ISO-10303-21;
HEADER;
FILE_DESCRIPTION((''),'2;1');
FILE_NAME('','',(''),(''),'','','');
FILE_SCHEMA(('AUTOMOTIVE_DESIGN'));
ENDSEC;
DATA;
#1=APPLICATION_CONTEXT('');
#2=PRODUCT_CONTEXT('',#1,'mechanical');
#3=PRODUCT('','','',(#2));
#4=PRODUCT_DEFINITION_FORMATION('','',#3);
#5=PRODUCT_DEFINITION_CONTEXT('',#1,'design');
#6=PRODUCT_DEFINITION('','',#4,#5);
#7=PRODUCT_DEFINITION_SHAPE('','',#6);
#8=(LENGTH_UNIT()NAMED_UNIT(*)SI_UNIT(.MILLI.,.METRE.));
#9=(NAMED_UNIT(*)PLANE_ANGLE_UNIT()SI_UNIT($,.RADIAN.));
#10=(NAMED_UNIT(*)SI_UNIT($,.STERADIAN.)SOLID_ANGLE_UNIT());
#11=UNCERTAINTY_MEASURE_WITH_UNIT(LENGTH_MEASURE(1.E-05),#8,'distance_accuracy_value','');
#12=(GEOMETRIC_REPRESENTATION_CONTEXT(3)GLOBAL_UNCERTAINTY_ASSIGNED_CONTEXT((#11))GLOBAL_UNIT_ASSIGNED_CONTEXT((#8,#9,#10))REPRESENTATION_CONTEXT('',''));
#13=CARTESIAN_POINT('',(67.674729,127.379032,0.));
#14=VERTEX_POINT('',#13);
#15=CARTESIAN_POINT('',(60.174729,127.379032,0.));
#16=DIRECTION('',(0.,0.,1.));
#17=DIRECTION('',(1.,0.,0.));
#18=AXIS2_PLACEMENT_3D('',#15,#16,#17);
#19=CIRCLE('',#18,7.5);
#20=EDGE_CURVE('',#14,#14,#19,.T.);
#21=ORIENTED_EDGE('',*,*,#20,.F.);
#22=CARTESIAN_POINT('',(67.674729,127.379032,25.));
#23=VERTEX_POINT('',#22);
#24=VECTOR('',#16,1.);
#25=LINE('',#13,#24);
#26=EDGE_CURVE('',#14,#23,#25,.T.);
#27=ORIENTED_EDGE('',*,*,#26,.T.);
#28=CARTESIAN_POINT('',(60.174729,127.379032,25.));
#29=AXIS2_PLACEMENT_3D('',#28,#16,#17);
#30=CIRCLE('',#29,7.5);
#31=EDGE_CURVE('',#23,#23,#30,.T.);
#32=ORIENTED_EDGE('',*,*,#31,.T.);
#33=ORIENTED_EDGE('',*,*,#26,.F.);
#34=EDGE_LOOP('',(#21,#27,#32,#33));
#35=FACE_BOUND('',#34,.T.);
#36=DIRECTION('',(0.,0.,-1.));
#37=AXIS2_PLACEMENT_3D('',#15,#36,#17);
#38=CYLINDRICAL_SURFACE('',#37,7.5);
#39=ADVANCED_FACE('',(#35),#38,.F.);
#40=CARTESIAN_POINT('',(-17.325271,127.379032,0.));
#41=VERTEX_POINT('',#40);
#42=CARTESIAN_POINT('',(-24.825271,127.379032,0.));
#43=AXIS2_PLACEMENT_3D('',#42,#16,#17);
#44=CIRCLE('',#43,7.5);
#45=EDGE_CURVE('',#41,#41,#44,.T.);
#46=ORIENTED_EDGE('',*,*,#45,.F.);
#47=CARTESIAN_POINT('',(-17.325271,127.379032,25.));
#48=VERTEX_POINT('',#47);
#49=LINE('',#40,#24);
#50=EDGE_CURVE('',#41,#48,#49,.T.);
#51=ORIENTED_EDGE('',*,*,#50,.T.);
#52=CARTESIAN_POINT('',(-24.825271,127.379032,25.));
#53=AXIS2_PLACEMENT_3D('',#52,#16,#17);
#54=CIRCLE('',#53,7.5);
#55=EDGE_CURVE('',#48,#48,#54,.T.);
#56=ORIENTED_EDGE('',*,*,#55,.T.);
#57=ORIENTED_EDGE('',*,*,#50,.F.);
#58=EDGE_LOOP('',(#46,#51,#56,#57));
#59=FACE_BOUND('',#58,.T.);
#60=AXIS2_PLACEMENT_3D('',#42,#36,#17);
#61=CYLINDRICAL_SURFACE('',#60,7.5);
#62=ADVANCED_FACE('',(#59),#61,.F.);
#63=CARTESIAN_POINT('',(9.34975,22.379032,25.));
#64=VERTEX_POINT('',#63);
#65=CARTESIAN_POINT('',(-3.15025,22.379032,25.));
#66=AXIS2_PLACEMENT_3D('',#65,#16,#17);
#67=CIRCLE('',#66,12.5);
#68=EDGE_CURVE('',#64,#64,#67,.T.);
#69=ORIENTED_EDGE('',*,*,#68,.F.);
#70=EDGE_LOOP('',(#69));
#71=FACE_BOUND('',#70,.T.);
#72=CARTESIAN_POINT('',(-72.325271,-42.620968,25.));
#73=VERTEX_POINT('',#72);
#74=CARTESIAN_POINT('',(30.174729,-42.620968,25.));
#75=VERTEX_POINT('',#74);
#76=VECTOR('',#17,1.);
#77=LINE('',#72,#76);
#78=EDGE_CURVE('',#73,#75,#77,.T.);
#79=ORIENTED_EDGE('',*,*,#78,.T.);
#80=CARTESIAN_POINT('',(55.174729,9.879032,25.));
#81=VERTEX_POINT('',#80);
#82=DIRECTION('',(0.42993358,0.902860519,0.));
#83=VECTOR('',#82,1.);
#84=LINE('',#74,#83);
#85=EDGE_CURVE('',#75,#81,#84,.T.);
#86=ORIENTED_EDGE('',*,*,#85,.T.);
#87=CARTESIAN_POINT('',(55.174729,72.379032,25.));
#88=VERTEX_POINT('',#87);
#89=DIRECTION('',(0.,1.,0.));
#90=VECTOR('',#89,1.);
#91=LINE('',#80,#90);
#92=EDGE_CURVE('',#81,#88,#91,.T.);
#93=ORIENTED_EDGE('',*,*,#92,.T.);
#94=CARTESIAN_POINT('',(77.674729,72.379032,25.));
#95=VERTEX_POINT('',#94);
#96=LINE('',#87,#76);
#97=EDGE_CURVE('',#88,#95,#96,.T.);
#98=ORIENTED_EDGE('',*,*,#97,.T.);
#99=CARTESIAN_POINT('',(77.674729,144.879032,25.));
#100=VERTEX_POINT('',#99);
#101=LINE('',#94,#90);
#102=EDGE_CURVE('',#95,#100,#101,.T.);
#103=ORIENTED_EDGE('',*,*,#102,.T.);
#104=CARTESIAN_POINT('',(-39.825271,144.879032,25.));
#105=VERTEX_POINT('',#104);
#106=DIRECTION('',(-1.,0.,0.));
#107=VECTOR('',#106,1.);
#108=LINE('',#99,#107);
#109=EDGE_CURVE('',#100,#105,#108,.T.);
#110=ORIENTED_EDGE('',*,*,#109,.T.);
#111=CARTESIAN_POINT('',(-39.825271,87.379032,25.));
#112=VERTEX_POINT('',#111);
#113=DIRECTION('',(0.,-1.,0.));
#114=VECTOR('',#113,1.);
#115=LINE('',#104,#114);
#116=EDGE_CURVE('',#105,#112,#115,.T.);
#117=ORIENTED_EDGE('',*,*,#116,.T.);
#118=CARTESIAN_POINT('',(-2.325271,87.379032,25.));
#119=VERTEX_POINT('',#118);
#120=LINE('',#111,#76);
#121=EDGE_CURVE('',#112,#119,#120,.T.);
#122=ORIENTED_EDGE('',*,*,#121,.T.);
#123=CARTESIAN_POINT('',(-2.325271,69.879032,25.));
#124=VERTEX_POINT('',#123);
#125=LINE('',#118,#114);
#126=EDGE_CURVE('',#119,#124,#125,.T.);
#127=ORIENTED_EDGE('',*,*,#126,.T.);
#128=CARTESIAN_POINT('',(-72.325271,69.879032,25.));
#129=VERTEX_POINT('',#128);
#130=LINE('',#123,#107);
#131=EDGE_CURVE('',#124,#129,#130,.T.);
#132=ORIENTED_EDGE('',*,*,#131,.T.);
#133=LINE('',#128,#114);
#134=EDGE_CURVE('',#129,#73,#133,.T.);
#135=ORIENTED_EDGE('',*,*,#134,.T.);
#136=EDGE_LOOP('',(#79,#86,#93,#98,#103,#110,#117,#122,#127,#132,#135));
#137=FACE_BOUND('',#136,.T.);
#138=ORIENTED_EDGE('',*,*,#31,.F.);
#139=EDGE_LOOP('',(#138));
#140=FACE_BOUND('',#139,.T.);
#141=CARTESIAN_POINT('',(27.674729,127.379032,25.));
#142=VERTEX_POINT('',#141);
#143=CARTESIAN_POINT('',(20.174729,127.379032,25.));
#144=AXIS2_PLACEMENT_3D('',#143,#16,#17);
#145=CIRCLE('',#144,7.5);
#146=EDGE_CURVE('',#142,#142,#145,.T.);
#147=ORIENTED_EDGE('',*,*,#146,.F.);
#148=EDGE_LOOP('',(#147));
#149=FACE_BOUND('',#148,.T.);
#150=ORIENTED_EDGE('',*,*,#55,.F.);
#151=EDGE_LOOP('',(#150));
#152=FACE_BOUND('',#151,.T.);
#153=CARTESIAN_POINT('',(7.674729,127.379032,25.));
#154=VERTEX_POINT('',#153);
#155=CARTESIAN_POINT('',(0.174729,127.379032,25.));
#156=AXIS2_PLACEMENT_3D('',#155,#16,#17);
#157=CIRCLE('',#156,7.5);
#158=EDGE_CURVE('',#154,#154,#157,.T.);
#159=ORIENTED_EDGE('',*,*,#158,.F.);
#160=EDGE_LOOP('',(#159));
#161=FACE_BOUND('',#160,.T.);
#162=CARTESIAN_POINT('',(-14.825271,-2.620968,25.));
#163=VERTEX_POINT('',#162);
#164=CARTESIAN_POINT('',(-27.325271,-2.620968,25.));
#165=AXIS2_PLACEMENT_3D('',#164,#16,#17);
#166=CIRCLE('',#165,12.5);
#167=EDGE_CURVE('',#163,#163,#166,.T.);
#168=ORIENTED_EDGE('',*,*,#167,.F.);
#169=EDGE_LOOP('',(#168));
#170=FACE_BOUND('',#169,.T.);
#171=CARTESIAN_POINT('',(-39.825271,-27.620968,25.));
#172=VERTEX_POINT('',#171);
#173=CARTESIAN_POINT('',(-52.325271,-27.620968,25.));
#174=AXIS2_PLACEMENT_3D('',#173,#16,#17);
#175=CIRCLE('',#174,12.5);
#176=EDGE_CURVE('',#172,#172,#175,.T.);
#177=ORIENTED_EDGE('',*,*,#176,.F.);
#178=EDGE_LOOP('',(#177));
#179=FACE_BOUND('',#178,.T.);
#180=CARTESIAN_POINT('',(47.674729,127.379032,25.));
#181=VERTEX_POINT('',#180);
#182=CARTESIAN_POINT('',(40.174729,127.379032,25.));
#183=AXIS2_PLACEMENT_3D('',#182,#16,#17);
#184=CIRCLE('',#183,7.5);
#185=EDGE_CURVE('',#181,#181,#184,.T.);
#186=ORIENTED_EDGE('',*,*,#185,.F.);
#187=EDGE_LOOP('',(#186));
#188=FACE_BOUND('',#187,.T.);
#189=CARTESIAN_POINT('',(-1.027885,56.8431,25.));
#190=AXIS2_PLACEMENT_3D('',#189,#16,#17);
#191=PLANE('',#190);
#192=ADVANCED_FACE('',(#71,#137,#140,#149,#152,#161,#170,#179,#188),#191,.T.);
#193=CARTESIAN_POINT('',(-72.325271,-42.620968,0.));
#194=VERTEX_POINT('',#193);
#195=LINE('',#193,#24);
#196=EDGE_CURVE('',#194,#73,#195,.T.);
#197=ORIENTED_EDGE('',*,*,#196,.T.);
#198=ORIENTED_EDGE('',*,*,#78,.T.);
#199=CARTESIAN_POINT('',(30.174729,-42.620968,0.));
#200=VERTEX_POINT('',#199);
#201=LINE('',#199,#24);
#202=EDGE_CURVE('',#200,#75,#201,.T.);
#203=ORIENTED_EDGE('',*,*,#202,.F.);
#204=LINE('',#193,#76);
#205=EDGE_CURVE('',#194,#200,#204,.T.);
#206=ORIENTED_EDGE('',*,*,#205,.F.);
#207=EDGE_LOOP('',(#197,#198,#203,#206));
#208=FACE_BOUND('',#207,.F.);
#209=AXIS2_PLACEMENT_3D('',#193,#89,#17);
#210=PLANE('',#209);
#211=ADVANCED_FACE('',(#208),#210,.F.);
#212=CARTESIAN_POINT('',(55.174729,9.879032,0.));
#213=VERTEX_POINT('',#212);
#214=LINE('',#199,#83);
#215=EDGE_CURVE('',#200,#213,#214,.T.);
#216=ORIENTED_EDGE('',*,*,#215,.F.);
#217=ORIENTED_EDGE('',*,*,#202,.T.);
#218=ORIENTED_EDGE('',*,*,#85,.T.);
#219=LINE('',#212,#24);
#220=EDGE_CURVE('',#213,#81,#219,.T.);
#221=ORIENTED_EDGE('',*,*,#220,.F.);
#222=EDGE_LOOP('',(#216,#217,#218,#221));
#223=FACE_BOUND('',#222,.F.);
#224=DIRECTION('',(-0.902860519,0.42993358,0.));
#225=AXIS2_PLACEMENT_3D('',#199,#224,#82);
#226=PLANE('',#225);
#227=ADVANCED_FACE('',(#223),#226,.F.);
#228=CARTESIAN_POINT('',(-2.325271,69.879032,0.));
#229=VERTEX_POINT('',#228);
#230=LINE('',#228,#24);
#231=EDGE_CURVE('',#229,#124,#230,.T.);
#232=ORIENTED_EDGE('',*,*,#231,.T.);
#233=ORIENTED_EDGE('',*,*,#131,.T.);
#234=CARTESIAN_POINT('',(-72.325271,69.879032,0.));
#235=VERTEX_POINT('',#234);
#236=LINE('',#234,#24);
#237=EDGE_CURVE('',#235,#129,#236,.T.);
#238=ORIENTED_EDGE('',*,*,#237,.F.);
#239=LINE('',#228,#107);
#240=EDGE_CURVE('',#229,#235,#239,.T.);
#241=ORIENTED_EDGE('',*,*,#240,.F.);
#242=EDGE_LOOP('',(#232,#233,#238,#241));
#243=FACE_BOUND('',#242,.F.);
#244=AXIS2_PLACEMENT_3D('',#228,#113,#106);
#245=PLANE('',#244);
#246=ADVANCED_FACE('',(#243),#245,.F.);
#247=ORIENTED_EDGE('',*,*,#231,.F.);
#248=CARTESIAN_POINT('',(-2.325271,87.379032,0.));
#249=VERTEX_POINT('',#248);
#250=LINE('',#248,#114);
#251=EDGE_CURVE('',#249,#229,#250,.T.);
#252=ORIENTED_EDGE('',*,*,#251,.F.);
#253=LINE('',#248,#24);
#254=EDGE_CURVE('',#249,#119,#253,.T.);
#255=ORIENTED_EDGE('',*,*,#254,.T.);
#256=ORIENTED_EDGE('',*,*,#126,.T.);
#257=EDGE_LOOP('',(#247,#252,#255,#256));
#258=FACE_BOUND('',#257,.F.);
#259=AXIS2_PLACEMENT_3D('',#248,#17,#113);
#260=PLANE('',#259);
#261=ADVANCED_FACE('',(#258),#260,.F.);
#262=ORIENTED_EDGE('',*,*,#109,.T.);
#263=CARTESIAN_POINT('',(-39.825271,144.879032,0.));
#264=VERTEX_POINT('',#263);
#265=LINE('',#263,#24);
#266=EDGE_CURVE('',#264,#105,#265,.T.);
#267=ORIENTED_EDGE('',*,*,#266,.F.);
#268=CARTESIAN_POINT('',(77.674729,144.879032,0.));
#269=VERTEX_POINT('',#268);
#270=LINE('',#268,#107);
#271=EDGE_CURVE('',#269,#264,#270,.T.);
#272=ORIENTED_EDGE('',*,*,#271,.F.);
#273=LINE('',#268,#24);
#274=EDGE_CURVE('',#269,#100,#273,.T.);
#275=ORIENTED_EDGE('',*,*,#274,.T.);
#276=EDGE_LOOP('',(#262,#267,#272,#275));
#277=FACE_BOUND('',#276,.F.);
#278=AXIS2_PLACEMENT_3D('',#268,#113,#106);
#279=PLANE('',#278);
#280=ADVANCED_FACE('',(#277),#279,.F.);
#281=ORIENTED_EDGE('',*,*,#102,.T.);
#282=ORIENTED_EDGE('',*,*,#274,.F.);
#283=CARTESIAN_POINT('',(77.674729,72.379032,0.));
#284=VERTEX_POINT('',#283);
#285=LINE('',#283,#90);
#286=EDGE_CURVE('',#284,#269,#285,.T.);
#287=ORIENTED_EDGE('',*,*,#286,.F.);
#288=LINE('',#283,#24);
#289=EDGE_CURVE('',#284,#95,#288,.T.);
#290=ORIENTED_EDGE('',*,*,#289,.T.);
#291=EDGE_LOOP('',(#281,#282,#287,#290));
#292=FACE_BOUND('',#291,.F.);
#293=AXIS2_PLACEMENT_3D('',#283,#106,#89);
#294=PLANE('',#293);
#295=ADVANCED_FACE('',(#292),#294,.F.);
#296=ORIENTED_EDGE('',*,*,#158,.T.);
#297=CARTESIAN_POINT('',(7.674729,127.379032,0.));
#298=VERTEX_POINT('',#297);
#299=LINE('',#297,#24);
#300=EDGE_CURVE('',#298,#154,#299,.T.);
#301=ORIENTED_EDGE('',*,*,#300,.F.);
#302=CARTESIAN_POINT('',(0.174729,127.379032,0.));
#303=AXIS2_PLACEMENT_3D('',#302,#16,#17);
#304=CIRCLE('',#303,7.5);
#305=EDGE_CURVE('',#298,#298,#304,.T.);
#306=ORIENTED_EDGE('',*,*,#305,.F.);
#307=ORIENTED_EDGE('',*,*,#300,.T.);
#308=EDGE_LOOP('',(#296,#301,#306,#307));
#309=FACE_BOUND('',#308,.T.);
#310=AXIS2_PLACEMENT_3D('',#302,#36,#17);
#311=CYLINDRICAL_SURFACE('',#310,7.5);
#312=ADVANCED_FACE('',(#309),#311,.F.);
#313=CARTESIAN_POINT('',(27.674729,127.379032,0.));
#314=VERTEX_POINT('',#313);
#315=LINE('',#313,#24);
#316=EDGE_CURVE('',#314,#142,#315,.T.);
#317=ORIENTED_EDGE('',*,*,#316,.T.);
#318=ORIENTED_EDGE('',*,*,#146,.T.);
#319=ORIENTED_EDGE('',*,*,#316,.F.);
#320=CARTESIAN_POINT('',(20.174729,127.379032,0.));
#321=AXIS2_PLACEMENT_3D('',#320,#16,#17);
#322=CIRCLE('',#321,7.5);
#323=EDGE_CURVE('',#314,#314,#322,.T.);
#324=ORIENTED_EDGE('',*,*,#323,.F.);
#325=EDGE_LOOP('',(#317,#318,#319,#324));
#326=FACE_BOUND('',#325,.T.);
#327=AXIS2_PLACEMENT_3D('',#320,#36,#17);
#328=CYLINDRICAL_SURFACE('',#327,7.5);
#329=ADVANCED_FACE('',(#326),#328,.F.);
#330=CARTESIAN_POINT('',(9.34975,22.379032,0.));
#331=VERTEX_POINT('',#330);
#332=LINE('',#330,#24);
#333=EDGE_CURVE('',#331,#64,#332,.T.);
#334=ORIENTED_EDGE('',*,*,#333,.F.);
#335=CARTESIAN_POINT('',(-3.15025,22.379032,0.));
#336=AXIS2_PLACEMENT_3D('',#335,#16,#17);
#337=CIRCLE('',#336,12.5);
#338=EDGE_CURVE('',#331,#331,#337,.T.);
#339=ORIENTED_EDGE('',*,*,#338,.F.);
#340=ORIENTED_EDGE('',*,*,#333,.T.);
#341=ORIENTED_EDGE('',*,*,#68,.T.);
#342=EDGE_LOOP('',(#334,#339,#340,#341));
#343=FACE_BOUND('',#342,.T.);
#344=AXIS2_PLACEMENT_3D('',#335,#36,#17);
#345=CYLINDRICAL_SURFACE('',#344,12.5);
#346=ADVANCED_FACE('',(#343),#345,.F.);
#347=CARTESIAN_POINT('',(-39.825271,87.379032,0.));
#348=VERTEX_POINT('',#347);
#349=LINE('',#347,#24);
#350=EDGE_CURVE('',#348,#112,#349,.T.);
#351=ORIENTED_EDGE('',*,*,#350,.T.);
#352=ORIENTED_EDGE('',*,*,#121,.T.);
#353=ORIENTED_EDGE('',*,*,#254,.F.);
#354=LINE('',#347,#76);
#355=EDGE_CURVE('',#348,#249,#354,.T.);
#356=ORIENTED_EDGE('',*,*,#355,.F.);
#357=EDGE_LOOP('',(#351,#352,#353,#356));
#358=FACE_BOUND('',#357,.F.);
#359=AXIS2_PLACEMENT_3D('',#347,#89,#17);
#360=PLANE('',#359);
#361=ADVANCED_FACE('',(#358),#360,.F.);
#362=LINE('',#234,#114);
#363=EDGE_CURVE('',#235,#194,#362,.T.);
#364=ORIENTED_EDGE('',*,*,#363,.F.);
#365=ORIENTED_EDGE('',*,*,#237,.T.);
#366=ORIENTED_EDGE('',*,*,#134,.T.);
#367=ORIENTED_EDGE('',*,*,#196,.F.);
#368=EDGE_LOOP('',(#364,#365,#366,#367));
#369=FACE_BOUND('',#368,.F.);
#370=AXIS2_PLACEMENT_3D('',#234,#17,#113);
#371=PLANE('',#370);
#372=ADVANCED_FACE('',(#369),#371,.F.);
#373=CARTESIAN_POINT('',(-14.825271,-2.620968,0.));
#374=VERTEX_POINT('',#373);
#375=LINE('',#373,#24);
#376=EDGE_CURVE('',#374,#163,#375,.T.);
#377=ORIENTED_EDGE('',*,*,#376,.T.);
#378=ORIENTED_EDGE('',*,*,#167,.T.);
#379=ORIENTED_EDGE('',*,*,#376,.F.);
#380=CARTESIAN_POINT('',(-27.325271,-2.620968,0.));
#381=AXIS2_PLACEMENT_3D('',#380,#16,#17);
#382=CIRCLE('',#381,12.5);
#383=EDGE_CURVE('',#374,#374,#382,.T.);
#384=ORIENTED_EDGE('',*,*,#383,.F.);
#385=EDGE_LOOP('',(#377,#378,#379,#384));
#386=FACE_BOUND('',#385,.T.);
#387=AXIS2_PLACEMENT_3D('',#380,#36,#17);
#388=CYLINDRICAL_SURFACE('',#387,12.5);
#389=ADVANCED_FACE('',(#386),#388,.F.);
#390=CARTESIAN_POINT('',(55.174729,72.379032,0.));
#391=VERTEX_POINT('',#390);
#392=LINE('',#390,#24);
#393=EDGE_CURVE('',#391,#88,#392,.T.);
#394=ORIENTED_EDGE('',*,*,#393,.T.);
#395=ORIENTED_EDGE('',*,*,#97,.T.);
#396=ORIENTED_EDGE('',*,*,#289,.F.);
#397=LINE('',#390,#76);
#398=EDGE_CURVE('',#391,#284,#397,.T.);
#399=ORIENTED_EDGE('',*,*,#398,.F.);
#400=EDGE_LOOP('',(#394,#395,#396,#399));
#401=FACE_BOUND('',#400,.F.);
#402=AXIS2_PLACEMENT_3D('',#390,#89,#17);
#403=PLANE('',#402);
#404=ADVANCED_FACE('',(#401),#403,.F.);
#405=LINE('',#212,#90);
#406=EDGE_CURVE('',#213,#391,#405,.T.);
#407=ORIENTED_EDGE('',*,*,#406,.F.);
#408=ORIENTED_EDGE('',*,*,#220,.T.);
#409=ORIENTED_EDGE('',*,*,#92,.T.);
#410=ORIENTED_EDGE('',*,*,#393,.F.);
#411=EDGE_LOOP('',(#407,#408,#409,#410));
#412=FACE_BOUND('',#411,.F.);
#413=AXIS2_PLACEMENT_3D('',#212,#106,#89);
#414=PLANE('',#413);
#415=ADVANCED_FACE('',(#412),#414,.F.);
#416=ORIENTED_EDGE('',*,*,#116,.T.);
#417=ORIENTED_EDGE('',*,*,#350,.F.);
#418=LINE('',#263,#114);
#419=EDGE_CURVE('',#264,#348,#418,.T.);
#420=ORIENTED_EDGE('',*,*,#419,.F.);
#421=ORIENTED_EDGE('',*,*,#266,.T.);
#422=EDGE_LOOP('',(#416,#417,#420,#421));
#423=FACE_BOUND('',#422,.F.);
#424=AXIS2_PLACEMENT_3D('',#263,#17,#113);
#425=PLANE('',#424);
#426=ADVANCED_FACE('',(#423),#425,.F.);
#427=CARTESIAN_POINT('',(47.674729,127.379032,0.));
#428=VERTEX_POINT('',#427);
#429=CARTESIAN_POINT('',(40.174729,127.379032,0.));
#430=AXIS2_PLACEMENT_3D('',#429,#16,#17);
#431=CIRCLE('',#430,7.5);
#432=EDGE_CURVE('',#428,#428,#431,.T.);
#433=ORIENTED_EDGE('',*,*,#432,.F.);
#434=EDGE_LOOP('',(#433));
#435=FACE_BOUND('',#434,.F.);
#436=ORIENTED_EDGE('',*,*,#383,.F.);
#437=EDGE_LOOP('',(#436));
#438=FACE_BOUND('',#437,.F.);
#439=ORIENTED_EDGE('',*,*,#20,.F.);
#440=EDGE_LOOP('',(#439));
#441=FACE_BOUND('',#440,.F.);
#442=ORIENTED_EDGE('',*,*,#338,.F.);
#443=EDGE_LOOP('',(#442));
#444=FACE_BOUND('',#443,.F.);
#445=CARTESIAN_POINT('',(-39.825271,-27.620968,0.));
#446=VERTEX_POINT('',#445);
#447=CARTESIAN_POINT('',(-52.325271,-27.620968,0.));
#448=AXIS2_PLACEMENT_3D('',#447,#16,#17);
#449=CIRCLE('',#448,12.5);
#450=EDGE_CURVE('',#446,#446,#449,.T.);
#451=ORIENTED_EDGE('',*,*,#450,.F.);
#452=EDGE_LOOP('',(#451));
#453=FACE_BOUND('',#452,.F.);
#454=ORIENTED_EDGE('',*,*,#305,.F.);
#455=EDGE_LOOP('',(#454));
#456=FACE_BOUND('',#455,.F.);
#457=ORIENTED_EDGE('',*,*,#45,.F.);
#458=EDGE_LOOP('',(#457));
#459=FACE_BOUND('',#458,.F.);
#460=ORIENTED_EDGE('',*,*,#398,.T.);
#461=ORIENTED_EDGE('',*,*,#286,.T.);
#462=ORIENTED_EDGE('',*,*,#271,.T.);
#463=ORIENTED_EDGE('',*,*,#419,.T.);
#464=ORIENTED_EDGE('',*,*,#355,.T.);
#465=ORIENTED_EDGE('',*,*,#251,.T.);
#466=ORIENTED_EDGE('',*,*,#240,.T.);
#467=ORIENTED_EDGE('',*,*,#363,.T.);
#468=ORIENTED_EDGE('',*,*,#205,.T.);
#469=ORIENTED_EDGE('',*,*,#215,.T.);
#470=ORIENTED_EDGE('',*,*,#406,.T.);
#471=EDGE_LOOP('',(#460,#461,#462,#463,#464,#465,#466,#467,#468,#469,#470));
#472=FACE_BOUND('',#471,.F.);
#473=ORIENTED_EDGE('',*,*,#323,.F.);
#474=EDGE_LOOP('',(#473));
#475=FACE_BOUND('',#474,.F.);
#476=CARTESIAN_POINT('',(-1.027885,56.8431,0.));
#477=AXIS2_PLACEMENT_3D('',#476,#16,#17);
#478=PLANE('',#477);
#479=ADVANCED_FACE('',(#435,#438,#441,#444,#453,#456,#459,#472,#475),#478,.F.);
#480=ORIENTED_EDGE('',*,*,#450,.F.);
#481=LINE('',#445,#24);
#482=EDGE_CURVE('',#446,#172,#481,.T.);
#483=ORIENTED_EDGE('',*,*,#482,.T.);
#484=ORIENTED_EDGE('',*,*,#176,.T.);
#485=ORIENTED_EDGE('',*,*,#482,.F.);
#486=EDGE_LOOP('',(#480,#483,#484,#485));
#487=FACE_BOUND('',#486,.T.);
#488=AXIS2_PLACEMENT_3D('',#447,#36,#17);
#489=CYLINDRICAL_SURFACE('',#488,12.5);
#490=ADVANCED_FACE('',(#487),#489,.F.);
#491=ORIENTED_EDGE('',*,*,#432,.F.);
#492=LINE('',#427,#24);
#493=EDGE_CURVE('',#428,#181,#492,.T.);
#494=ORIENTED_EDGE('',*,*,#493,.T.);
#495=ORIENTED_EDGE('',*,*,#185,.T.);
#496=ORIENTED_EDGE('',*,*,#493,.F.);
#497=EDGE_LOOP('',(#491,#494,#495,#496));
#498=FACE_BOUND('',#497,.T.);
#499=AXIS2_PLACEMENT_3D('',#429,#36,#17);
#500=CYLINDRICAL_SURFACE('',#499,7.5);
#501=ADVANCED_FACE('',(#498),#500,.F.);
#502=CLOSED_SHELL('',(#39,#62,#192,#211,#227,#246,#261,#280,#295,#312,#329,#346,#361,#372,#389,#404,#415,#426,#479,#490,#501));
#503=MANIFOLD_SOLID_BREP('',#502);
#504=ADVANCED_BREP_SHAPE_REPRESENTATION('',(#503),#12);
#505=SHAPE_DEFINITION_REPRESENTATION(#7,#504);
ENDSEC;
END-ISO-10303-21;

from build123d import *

# Parameters (mm, degrees)
F0_R     = 12.5
F0_R_2   = 7.5
F1_DEPTH = 25


with BuildPart() as f1:
    # F0 (on Top) → F1 (new body)
    with BuildSketch(Plane.XY):
        Polygon((-72.325271, 69.879032), (-72.325271, -42.620968), (30.174729, -42.620968), (55.174729, 9.879032), (55.174729, 72.379032), (77.674729, 72.379032), (77.674729, 144.879032), (-39.825271, 144.879032), (-39.825271, 87.379032), (-2.325271, 87.379032), (-2.325271, 69.879032), align=None)
        with Locations((-52.325271, -27.620968)):
            Circle(F0_R, mode=Mode.SUBTRACT)
        with Locations((-27.325271, -2.620968)):
            Circle(F0_R, mode=Mode.SUBTRACT)
        with Locations((-3.15025, 22.379032)):
            Circle(F0_R, mode=Mode.SUBTRACT)
        with Locations((-24.825271, 127.379032)):
            Circle(F0_R_2, mode=Mode.SUBTRACT)
        with Locations((0.174729, 127.379032)):
            Circle(F0_R_2, mode=Mode.SUBTRACT)
        with Locations((20.174729, 127.379032)):
            Circle(F0_R_2, mode=Mode.SUBTRACT)
        with Locations((40.174729, 127.379032)):
            Circle(F0_R_2, mode=Mode.SUBTRACT)
        with Locations((60.174729, 127.379032)):
            Circle(F0_R_2, mode=Mode.SUBTRACT)
    extrude(amount=F1_DEPTH)


solid = f1.part
